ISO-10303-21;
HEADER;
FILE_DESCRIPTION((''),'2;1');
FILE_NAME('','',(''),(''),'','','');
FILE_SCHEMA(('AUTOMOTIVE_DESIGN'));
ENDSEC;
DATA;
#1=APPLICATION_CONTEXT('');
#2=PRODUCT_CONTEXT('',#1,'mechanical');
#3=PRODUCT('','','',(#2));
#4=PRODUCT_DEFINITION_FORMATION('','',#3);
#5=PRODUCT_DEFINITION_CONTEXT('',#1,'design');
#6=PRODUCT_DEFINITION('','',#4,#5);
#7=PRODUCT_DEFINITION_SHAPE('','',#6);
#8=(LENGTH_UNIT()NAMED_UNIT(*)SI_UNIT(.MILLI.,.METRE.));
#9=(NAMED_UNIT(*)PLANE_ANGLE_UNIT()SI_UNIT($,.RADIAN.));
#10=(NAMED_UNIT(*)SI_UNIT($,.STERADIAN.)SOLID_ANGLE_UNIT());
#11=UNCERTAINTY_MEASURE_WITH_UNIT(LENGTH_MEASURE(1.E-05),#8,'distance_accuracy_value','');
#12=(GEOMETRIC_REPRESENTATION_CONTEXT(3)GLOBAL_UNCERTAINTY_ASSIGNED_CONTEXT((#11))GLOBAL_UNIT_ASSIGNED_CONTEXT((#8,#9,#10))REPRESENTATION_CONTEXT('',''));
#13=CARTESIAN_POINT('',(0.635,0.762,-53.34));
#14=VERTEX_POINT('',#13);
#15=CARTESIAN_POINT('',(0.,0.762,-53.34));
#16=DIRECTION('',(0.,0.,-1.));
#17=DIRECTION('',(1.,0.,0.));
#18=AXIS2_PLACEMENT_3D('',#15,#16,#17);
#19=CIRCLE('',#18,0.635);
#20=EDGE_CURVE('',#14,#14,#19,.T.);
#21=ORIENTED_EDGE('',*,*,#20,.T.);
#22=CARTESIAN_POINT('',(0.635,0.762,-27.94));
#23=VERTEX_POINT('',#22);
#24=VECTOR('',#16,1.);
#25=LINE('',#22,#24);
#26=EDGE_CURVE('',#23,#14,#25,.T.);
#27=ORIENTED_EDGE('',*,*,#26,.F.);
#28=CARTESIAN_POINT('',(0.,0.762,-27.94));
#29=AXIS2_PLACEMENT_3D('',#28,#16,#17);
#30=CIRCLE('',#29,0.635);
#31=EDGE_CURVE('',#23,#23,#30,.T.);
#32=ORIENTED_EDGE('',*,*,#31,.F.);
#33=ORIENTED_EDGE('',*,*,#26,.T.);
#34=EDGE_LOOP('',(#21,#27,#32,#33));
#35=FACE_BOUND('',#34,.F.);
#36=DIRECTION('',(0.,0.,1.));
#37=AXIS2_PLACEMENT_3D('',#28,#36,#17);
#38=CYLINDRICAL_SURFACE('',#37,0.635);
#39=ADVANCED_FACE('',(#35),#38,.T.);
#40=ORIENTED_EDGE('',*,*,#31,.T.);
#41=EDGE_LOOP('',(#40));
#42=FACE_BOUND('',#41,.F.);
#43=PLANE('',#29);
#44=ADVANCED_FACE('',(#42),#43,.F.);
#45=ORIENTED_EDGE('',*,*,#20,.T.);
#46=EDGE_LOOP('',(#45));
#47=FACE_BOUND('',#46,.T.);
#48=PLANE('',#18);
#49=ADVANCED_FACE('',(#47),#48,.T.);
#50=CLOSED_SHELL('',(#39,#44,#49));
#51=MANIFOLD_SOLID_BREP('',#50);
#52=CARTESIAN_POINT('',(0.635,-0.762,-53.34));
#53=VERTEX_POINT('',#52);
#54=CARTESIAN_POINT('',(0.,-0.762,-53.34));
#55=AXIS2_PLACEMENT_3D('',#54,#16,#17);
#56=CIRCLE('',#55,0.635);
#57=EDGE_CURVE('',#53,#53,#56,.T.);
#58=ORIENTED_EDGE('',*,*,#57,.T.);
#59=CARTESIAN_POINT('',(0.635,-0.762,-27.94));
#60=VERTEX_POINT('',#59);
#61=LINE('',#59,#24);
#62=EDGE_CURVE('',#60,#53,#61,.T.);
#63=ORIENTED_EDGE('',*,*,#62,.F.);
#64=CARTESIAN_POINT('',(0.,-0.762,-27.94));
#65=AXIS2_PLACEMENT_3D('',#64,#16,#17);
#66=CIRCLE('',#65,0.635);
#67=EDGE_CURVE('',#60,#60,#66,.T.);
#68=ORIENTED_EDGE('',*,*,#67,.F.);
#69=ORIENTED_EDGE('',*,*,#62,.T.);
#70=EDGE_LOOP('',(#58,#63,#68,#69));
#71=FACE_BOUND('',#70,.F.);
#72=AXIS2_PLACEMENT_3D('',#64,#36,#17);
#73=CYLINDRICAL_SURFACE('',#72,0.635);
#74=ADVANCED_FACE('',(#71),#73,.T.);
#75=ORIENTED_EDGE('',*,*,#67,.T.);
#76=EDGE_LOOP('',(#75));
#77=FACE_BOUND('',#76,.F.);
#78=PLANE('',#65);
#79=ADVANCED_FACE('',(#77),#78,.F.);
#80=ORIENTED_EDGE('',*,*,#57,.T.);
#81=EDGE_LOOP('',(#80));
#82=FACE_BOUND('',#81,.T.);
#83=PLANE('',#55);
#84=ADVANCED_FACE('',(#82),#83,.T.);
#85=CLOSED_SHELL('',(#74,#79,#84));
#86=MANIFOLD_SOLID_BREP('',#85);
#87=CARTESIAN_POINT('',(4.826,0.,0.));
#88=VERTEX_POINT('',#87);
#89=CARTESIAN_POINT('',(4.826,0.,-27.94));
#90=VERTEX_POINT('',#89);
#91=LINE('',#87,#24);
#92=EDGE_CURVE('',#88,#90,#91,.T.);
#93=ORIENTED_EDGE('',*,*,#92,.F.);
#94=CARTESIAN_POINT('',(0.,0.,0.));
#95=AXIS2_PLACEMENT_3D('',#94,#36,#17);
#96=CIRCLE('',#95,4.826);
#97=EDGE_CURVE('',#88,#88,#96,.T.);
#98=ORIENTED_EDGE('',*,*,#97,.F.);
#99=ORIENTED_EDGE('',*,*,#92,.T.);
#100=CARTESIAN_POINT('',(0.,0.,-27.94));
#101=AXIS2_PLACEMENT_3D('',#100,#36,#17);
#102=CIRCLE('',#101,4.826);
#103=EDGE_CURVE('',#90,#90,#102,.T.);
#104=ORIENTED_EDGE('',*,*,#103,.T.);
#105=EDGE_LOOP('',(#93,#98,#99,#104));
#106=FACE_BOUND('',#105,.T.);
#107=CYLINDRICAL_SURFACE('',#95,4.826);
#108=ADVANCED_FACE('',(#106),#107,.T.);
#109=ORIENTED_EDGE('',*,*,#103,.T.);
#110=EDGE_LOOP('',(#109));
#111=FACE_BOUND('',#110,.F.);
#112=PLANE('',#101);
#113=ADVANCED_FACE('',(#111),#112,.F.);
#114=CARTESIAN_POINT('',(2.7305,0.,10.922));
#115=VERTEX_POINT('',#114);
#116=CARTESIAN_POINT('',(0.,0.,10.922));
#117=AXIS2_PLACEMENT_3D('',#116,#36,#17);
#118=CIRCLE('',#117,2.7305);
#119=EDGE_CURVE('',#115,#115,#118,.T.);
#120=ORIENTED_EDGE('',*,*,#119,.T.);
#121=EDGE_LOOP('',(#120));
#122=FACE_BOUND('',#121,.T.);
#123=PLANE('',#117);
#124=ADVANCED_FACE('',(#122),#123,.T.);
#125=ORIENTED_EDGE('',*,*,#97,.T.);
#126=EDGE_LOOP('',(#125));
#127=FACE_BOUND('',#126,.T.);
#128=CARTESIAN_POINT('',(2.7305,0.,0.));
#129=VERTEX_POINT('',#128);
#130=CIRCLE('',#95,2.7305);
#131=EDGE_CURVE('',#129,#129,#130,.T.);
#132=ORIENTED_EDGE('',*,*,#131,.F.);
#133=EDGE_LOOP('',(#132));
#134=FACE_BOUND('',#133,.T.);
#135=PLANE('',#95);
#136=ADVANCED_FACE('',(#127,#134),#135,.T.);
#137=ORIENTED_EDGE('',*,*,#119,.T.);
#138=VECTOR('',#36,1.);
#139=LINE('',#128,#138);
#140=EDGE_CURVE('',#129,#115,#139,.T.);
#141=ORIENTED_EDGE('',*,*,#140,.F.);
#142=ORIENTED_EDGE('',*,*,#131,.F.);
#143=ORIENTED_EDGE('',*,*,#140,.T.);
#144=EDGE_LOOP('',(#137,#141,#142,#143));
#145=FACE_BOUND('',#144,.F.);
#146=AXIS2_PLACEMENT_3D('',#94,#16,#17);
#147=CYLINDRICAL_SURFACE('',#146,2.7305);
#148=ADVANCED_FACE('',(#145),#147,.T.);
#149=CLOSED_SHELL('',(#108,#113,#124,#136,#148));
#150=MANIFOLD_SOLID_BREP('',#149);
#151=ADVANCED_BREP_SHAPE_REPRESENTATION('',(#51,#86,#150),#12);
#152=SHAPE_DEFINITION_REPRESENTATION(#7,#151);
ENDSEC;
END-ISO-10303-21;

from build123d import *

# Parameters (mm, degrees)
F0_R     = 2.7305
F1_DEPTH = 10.922
F0_R_2   = 4.826
F2_DEPTH = 27.94
F3_R     = 0.635
F4_DEPTH = 25.4


with BuildPart() as f1:
    # F0 (on Top) → F1 (new body)
    with BuildSketch(Plane.XY):
        Circle(F0_R)
    extrude(amount=F1_DEPTH)

    # F0 (on Top) → F2 (join)
    with BuildSketch(Plane.XY):
        Circle(F0_R_2)
        Circle(F0_R, mode=Mode.SUBTRACT)
        Circle(F0_R)
    extrude(amount=-F2_DEPTH)


with BuildPart() as f4:
    # F3 (on face) → F4 (new body)
    with BuildSketch(Plane(origin=(0, 0, -27.94), x_dir=(1, 0, 0), z_dir=(0, 0, -1))):
        with Locations((0, -0.762)):
            Circle(F3_R)
        with Locations((0, 0.762)):
            Circle(F3_R)
    extrude(amount=F4_DEPTH)


solid = Compound([f1.part, f4.part])
